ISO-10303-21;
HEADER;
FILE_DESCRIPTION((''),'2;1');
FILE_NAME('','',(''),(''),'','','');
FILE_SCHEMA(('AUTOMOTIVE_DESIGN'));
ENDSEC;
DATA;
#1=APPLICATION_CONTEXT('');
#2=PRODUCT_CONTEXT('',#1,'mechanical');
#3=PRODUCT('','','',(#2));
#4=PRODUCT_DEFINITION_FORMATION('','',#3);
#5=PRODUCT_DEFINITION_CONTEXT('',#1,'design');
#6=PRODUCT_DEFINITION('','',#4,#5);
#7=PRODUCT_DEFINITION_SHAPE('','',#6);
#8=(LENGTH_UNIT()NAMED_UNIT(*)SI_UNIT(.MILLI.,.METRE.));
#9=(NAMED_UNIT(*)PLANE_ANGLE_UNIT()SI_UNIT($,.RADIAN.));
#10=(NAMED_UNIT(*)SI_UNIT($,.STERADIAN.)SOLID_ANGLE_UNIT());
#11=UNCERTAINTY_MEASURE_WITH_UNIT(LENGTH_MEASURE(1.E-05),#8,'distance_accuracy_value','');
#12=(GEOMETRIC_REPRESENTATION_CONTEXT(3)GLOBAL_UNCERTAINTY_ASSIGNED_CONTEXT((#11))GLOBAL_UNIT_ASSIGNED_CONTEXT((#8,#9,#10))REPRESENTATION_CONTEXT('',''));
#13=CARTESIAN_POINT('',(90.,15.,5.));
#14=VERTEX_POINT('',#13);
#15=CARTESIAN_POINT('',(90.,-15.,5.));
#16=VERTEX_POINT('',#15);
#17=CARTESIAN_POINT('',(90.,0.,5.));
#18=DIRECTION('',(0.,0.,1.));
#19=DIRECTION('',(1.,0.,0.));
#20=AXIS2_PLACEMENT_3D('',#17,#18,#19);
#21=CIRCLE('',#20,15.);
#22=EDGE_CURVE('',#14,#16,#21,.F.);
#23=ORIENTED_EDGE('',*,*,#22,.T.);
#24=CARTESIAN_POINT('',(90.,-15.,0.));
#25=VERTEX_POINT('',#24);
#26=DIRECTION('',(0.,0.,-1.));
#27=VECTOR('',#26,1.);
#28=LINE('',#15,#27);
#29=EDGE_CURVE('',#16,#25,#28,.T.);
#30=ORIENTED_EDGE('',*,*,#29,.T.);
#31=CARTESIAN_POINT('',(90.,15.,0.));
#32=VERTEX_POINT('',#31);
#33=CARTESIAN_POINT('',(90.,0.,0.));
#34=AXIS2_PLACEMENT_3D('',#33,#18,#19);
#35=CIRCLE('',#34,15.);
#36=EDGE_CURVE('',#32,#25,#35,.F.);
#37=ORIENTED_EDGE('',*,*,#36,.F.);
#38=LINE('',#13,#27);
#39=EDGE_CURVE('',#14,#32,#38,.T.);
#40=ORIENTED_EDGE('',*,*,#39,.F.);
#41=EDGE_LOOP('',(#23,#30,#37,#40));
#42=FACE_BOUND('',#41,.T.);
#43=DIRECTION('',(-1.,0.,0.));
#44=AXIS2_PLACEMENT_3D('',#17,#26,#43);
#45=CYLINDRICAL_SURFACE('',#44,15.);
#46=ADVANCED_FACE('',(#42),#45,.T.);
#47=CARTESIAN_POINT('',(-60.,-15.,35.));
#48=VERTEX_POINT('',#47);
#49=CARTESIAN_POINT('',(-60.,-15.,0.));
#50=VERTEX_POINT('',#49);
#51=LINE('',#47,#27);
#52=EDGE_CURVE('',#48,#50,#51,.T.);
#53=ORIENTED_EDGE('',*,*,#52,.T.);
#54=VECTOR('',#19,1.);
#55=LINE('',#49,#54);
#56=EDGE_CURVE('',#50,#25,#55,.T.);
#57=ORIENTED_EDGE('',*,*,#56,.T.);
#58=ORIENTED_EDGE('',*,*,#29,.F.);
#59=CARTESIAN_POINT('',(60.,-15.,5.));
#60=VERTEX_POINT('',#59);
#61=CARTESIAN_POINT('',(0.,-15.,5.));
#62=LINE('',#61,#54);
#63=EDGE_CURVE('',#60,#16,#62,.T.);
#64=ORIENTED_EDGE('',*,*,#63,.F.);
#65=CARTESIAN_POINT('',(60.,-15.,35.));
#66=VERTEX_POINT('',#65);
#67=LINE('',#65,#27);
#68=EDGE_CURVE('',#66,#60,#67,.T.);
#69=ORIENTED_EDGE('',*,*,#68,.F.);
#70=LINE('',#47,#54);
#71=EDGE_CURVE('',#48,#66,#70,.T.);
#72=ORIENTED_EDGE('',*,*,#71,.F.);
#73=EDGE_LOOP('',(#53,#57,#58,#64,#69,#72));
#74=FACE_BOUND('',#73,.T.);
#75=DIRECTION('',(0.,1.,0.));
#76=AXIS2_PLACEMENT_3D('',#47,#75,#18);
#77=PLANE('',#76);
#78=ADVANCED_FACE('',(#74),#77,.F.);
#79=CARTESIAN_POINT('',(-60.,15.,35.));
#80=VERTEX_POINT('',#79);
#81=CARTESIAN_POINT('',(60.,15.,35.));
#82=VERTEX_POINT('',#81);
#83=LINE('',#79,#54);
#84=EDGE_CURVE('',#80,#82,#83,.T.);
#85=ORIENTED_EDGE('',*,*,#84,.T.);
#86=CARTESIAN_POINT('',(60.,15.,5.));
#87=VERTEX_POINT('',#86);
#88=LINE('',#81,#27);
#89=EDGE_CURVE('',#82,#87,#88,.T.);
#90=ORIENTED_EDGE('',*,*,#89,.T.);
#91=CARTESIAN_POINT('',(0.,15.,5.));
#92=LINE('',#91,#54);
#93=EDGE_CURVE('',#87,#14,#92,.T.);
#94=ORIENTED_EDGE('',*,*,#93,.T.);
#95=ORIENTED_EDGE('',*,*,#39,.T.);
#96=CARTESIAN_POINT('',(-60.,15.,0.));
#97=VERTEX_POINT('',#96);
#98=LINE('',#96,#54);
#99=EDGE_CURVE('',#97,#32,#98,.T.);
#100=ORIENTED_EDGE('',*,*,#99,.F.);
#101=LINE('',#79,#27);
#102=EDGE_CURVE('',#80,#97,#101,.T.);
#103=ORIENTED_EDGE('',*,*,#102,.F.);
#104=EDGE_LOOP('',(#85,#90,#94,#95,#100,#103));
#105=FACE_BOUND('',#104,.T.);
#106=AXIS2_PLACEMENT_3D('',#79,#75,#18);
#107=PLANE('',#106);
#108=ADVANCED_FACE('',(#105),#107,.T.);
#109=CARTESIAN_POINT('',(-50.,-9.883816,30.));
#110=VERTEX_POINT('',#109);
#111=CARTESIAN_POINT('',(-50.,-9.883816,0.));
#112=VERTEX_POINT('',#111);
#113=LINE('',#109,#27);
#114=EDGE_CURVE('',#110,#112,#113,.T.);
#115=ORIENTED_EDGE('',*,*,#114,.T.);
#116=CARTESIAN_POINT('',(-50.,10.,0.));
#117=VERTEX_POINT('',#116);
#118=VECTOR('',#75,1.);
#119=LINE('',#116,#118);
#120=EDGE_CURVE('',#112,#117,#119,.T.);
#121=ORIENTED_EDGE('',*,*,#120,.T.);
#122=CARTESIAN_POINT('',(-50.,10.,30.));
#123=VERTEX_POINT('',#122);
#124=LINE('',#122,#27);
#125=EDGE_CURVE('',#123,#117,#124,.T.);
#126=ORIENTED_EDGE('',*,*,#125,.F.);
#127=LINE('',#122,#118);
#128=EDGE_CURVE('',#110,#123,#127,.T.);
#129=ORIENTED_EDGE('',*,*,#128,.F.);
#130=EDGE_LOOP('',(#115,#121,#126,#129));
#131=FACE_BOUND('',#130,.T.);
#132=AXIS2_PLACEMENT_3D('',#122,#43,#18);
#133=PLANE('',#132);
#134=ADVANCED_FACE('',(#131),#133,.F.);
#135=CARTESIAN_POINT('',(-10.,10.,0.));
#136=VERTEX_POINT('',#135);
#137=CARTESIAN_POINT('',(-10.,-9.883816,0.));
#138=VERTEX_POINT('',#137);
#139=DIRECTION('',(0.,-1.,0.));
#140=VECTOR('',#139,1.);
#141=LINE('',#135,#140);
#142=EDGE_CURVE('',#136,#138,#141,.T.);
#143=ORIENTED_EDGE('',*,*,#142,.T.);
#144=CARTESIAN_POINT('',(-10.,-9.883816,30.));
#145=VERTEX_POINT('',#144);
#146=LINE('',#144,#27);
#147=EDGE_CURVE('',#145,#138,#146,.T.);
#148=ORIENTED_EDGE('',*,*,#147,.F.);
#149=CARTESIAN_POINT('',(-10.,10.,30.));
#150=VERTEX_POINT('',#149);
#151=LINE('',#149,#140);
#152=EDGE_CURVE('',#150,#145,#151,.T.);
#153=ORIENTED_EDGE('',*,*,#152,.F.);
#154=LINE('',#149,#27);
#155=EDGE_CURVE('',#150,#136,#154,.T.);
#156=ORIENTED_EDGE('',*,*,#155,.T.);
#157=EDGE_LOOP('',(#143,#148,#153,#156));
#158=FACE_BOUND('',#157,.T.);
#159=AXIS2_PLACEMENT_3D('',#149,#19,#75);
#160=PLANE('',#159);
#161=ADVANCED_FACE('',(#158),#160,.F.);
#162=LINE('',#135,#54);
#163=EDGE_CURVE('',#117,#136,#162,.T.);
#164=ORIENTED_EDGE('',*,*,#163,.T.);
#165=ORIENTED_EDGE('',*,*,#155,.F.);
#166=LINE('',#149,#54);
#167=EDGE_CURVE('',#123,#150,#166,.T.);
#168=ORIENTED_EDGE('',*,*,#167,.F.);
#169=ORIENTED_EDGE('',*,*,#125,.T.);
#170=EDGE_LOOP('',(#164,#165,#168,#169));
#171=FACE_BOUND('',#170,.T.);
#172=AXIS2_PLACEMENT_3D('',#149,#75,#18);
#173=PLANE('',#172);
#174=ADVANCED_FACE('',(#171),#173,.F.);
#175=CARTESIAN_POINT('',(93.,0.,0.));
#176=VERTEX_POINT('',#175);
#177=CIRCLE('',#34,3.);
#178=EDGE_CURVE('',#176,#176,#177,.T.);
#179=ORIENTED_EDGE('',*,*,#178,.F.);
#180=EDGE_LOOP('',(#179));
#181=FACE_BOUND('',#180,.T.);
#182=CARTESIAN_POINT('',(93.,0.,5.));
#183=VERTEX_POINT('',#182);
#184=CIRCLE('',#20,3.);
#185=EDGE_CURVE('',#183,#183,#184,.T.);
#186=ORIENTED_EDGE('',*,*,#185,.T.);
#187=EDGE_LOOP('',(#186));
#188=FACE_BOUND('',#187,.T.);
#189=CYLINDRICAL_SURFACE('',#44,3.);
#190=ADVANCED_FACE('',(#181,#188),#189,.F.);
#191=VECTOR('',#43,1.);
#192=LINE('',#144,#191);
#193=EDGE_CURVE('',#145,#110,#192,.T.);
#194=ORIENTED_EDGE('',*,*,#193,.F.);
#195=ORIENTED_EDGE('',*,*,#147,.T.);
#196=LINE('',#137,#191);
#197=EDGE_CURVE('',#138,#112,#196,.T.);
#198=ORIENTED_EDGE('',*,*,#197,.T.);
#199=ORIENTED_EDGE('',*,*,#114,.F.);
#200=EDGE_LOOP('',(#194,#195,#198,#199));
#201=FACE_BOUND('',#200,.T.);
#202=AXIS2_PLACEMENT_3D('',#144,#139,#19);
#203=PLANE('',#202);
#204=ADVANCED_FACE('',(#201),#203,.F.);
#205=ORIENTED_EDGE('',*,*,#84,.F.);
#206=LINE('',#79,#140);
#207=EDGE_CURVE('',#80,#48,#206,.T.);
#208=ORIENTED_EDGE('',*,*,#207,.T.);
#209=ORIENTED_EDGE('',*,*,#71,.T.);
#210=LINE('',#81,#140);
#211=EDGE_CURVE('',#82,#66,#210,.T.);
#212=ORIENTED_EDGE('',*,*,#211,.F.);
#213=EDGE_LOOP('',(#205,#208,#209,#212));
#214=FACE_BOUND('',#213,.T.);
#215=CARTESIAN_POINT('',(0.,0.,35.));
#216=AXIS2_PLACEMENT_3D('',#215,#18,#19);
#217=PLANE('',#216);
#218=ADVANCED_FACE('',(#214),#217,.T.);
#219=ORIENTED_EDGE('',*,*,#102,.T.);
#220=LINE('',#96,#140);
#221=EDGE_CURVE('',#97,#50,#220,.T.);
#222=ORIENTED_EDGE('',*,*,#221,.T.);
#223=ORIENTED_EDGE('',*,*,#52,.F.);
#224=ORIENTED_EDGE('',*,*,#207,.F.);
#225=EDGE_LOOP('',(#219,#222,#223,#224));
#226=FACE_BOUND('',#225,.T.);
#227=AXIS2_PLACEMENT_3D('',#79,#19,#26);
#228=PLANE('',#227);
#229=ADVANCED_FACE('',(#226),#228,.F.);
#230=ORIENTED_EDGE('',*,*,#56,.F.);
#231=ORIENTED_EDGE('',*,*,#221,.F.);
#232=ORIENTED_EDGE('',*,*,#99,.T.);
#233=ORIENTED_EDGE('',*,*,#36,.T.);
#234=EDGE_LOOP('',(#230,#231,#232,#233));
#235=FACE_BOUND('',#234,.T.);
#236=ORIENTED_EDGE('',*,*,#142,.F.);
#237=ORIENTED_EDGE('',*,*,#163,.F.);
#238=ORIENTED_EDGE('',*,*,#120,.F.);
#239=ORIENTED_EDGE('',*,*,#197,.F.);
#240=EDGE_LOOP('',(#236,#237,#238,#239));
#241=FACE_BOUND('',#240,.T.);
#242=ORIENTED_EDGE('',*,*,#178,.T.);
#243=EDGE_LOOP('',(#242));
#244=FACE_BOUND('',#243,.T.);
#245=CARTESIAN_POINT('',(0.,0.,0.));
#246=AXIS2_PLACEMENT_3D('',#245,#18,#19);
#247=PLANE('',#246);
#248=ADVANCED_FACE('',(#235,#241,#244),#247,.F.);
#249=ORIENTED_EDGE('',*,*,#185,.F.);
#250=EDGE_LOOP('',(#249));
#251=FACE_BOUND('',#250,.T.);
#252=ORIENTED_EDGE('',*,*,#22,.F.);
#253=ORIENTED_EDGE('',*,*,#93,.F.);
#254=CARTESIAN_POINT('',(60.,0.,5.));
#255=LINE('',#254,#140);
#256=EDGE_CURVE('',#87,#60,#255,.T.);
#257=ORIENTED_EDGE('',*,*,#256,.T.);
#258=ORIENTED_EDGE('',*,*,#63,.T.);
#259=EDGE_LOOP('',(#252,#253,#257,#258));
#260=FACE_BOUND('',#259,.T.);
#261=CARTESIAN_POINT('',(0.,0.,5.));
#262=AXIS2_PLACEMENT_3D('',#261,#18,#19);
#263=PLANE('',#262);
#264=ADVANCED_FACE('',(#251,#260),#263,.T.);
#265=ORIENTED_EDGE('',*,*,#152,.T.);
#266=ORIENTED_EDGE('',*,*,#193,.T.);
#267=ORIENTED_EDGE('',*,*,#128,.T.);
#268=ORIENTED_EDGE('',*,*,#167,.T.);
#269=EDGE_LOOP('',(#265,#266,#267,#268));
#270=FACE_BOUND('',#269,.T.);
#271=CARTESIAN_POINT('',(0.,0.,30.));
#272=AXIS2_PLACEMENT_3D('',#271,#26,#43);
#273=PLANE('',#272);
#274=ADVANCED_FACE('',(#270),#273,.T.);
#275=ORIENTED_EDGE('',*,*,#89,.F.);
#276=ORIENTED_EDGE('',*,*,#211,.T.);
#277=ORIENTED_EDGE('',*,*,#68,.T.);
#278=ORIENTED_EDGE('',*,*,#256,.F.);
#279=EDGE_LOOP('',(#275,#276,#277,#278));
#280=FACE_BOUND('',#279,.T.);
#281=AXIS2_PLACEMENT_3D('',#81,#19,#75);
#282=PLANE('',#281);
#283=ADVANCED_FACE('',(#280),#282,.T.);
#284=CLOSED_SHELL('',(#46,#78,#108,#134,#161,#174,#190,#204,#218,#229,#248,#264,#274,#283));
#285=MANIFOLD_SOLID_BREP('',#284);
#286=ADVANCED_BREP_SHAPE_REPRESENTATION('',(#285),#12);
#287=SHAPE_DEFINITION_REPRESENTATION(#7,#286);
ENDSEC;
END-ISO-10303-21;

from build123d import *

# Parameters (mm, degrees)
SKETCH_1_W          = 120
SKETCH_1_H          = 30
EXTRUDE_2_DEPTH     = 35
SKETCH_1_8_R        = 3
EXTRUDE_3_DEPTH     = 5
SKETCH_2_W          = 40
SKETCH_2_H          = 19.883815918
CUT_EXTRUDE_1_DEPTH = 30


with BuildPart() as part:
    # 草图1 → 凸台-拉伸2 (new body)
    with BuildSketch(Plane.XY):
        Rectangle(SKETCH_1_W, SKETCH_1_H)
    extrude(amount=EXTRUDE_2_DEPTH)

    # 草图1<8> → 凸台-拉伸3 (add)
    with BuildSketch(Plane.XY):
        with BuildLine():
            Line((90, 15), (60, 15))
            Line((60, 15), (60, -15))
            Line((60, -15), (90, -15))
            ThreePointArc((90, -15), (105, 0), (90, 15))
        make_face()
        with Locations((90, 0)):
            Circle(SKETCH_1_8_R, mode=Mode.SUBTRACT)
    extrude(amount=EXTRUDE_3_DEPTH)

    # 草图2 → 切除-拉伸1 (cut)
    with BuildSketch(Plane(origin=(0, 0, 0), x_dir=(-1, 0, 0), z_dir=(0, 0, -1))):
        with Locations((30, 0.058092041)):
            Rectangle(SKETCH_2_W, SKETCH_2_H)
    extrude(amount=-CUT_EXTRUDE_1_DEPTH, mode=Mode.SUBTRACT)


solid = part.part
